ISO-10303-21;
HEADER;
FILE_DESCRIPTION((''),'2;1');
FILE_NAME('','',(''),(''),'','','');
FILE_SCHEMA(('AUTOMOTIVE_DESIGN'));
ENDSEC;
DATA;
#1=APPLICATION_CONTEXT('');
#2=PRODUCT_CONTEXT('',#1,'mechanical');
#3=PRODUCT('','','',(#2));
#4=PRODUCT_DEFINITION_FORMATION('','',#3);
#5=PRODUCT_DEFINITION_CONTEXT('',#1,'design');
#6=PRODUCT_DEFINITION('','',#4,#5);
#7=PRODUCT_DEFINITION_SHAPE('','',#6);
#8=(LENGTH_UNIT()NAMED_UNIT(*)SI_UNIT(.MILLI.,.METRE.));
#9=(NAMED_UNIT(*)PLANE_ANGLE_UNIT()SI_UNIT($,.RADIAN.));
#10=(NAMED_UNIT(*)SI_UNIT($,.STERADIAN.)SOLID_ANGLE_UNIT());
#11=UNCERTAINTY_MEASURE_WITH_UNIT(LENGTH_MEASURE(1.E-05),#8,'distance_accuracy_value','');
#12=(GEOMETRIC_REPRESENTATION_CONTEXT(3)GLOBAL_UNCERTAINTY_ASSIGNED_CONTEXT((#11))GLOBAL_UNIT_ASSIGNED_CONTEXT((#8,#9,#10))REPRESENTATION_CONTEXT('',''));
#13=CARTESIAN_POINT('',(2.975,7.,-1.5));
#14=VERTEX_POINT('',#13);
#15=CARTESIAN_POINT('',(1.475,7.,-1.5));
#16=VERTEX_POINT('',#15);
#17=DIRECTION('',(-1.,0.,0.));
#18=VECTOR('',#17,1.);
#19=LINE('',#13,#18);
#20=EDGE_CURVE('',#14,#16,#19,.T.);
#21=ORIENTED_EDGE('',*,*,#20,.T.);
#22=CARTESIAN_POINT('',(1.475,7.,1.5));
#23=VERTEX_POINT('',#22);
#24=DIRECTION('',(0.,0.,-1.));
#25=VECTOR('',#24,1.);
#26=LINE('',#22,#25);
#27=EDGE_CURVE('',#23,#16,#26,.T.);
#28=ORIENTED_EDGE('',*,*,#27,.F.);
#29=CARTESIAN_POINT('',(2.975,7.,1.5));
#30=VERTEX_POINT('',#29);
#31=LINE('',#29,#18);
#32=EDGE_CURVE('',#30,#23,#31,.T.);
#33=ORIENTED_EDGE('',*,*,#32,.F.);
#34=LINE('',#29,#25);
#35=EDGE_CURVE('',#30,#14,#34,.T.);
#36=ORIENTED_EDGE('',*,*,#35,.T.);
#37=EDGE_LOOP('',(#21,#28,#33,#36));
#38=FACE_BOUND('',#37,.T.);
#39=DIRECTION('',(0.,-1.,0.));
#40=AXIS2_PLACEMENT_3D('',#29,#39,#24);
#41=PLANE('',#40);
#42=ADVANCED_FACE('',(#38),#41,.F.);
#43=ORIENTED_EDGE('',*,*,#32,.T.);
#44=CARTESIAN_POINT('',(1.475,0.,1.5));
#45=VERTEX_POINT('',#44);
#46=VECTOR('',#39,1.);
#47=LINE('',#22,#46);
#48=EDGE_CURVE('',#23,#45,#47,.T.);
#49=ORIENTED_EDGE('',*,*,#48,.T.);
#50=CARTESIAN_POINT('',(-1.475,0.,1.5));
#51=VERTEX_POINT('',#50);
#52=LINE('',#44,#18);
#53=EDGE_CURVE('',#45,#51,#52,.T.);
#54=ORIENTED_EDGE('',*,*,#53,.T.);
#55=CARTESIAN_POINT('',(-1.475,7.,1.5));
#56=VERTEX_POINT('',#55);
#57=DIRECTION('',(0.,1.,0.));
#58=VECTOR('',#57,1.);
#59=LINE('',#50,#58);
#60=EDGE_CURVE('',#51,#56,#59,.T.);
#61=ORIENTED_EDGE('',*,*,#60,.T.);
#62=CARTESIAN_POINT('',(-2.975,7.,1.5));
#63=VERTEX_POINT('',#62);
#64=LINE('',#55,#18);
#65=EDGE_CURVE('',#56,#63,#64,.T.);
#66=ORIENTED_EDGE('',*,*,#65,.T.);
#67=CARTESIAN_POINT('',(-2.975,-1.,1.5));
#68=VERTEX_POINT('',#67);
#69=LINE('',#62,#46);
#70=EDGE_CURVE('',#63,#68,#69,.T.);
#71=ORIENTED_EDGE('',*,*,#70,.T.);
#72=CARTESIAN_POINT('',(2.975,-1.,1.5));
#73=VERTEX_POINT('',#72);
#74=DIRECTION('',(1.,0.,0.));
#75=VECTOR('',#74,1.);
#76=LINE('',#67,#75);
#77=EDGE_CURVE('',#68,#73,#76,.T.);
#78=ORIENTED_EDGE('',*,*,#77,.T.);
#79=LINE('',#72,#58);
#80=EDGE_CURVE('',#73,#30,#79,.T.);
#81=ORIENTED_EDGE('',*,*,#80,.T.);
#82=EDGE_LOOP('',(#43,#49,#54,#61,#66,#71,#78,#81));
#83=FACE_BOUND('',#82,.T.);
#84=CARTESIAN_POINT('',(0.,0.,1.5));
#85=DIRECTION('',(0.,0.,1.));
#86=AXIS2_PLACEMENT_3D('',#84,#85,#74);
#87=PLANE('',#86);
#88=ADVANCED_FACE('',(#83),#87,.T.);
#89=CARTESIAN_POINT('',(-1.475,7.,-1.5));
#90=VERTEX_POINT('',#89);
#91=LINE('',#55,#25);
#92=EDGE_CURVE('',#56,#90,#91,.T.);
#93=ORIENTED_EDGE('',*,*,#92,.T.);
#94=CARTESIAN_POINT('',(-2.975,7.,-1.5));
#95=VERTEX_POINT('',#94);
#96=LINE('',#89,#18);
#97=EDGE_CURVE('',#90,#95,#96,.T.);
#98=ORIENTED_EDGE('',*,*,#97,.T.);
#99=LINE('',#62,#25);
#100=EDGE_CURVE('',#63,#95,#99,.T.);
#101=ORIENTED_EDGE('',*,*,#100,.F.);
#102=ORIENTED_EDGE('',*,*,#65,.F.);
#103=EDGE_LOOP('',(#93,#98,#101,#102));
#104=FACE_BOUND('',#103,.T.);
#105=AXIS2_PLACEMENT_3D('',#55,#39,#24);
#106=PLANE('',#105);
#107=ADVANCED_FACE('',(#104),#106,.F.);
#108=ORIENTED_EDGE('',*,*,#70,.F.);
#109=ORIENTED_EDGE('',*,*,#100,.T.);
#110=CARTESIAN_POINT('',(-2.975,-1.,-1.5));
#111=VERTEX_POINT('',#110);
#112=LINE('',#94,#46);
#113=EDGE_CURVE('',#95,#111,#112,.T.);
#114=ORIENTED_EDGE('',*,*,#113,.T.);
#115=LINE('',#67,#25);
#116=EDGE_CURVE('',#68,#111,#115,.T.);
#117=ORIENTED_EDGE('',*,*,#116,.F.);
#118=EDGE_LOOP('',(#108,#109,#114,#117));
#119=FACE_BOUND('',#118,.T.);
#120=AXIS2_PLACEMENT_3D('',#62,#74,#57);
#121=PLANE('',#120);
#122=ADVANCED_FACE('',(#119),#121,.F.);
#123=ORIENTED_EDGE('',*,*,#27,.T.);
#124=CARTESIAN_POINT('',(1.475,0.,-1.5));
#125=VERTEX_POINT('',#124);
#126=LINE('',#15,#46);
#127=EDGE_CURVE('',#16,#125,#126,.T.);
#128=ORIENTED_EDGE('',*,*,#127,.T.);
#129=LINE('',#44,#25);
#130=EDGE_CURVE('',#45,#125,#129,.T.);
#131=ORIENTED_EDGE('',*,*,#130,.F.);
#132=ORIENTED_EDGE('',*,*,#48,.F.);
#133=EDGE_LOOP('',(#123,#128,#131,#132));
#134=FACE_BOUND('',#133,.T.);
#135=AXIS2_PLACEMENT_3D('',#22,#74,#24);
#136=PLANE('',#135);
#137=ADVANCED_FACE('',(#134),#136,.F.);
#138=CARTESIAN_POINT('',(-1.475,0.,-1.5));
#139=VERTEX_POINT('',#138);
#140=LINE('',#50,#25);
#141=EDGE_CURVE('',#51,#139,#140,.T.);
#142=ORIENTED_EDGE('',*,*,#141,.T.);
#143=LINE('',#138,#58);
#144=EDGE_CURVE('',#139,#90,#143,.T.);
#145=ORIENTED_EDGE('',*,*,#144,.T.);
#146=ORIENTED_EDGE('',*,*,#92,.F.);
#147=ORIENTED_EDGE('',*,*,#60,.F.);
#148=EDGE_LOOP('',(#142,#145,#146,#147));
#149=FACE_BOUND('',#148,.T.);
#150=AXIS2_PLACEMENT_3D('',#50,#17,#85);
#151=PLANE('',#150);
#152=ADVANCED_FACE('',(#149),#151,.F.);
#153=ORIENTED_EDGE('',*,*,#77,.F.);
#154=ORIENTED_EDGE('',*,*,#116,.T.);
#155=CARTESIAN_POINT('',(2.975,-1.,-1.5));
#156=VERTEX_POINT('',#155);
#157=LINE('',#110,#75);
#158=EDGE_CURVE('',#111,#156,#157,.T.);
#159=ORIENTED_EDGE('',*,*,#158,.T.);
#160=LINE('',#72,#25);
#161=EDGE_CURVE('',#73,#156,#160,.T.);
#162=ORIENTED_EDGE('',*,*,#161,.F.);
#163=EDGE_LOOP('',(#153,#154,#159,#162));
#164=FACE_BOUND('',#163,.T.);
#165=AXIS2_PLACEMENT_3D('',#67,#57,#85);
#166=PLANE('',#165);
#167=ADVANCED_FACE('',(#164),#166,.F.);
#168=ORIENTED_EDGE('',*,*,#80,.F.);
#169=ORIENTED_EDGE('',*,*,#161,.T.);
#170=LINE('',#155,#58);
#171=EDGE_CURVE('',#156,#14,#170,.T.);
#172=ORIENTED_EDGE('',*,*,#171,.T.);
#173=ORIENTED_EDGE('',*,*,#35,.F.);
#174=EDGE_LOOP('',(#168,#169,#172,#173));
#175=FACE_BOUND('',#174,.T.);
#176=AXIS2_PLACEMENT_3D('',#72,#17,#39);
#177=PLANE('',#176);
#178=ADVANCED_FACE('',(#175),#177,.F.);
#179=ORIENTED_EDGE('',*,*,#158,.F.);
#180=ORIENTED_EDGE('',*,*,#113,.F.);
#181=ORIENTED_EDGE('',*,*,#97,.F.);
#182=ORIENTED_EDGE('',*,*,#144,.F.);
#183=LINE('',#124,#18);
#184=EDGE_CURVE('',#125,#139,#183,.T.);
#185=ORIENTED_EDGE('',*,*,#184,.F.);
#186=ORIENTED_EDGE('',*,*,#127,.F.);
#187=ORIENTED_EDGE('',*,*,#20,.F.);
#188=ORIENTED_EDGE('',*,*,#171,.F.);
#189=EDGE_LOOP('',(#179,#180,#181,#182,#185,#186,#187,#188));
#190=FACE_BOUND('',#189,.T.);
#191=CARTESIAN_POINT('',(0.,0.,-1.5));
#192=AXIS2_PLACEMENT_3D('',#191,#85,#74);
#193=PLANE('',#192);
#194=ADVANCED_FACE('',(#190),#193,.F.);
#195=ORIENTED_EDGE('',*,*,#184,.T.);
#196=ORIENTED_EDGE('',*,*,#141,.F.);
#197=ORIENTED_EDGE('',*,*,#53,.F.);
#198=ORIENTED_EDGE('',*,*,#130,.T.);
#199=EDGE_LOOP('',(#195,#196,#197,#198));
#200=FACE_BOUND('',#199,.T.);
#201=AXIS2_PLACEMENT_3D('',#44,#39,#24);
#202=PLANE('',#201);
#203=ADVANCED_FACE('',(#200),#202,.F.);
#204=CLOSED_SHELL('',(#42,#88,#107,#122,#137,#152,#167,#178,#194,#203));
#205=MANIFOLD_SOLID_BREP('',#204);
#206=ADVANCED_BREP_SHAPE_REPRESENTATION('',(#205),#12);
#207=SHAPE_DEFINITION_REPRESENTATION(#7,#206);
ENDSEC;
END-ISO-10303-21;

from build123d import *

# Parameters (mm, degrees)
SALIENTE_EXTRUIR1_DEPTH = 1.5


with BuildPart() as part:
    # Croquis2 → Saliente-Extruir1 (new body, symmetric)
    with BuildSketch(Plane.XY):
        Polygon((-2.975, 7), (-2.975, -1), (2.975, -1), (2.975, 7), (1.475, 7), (1.475, 0), (-1.475, 0), (-1.475, 7), align=None)
    extrude(amount=SALIENTE_EXTRUIR1_DEPTH, both=True)


solid = part.part
